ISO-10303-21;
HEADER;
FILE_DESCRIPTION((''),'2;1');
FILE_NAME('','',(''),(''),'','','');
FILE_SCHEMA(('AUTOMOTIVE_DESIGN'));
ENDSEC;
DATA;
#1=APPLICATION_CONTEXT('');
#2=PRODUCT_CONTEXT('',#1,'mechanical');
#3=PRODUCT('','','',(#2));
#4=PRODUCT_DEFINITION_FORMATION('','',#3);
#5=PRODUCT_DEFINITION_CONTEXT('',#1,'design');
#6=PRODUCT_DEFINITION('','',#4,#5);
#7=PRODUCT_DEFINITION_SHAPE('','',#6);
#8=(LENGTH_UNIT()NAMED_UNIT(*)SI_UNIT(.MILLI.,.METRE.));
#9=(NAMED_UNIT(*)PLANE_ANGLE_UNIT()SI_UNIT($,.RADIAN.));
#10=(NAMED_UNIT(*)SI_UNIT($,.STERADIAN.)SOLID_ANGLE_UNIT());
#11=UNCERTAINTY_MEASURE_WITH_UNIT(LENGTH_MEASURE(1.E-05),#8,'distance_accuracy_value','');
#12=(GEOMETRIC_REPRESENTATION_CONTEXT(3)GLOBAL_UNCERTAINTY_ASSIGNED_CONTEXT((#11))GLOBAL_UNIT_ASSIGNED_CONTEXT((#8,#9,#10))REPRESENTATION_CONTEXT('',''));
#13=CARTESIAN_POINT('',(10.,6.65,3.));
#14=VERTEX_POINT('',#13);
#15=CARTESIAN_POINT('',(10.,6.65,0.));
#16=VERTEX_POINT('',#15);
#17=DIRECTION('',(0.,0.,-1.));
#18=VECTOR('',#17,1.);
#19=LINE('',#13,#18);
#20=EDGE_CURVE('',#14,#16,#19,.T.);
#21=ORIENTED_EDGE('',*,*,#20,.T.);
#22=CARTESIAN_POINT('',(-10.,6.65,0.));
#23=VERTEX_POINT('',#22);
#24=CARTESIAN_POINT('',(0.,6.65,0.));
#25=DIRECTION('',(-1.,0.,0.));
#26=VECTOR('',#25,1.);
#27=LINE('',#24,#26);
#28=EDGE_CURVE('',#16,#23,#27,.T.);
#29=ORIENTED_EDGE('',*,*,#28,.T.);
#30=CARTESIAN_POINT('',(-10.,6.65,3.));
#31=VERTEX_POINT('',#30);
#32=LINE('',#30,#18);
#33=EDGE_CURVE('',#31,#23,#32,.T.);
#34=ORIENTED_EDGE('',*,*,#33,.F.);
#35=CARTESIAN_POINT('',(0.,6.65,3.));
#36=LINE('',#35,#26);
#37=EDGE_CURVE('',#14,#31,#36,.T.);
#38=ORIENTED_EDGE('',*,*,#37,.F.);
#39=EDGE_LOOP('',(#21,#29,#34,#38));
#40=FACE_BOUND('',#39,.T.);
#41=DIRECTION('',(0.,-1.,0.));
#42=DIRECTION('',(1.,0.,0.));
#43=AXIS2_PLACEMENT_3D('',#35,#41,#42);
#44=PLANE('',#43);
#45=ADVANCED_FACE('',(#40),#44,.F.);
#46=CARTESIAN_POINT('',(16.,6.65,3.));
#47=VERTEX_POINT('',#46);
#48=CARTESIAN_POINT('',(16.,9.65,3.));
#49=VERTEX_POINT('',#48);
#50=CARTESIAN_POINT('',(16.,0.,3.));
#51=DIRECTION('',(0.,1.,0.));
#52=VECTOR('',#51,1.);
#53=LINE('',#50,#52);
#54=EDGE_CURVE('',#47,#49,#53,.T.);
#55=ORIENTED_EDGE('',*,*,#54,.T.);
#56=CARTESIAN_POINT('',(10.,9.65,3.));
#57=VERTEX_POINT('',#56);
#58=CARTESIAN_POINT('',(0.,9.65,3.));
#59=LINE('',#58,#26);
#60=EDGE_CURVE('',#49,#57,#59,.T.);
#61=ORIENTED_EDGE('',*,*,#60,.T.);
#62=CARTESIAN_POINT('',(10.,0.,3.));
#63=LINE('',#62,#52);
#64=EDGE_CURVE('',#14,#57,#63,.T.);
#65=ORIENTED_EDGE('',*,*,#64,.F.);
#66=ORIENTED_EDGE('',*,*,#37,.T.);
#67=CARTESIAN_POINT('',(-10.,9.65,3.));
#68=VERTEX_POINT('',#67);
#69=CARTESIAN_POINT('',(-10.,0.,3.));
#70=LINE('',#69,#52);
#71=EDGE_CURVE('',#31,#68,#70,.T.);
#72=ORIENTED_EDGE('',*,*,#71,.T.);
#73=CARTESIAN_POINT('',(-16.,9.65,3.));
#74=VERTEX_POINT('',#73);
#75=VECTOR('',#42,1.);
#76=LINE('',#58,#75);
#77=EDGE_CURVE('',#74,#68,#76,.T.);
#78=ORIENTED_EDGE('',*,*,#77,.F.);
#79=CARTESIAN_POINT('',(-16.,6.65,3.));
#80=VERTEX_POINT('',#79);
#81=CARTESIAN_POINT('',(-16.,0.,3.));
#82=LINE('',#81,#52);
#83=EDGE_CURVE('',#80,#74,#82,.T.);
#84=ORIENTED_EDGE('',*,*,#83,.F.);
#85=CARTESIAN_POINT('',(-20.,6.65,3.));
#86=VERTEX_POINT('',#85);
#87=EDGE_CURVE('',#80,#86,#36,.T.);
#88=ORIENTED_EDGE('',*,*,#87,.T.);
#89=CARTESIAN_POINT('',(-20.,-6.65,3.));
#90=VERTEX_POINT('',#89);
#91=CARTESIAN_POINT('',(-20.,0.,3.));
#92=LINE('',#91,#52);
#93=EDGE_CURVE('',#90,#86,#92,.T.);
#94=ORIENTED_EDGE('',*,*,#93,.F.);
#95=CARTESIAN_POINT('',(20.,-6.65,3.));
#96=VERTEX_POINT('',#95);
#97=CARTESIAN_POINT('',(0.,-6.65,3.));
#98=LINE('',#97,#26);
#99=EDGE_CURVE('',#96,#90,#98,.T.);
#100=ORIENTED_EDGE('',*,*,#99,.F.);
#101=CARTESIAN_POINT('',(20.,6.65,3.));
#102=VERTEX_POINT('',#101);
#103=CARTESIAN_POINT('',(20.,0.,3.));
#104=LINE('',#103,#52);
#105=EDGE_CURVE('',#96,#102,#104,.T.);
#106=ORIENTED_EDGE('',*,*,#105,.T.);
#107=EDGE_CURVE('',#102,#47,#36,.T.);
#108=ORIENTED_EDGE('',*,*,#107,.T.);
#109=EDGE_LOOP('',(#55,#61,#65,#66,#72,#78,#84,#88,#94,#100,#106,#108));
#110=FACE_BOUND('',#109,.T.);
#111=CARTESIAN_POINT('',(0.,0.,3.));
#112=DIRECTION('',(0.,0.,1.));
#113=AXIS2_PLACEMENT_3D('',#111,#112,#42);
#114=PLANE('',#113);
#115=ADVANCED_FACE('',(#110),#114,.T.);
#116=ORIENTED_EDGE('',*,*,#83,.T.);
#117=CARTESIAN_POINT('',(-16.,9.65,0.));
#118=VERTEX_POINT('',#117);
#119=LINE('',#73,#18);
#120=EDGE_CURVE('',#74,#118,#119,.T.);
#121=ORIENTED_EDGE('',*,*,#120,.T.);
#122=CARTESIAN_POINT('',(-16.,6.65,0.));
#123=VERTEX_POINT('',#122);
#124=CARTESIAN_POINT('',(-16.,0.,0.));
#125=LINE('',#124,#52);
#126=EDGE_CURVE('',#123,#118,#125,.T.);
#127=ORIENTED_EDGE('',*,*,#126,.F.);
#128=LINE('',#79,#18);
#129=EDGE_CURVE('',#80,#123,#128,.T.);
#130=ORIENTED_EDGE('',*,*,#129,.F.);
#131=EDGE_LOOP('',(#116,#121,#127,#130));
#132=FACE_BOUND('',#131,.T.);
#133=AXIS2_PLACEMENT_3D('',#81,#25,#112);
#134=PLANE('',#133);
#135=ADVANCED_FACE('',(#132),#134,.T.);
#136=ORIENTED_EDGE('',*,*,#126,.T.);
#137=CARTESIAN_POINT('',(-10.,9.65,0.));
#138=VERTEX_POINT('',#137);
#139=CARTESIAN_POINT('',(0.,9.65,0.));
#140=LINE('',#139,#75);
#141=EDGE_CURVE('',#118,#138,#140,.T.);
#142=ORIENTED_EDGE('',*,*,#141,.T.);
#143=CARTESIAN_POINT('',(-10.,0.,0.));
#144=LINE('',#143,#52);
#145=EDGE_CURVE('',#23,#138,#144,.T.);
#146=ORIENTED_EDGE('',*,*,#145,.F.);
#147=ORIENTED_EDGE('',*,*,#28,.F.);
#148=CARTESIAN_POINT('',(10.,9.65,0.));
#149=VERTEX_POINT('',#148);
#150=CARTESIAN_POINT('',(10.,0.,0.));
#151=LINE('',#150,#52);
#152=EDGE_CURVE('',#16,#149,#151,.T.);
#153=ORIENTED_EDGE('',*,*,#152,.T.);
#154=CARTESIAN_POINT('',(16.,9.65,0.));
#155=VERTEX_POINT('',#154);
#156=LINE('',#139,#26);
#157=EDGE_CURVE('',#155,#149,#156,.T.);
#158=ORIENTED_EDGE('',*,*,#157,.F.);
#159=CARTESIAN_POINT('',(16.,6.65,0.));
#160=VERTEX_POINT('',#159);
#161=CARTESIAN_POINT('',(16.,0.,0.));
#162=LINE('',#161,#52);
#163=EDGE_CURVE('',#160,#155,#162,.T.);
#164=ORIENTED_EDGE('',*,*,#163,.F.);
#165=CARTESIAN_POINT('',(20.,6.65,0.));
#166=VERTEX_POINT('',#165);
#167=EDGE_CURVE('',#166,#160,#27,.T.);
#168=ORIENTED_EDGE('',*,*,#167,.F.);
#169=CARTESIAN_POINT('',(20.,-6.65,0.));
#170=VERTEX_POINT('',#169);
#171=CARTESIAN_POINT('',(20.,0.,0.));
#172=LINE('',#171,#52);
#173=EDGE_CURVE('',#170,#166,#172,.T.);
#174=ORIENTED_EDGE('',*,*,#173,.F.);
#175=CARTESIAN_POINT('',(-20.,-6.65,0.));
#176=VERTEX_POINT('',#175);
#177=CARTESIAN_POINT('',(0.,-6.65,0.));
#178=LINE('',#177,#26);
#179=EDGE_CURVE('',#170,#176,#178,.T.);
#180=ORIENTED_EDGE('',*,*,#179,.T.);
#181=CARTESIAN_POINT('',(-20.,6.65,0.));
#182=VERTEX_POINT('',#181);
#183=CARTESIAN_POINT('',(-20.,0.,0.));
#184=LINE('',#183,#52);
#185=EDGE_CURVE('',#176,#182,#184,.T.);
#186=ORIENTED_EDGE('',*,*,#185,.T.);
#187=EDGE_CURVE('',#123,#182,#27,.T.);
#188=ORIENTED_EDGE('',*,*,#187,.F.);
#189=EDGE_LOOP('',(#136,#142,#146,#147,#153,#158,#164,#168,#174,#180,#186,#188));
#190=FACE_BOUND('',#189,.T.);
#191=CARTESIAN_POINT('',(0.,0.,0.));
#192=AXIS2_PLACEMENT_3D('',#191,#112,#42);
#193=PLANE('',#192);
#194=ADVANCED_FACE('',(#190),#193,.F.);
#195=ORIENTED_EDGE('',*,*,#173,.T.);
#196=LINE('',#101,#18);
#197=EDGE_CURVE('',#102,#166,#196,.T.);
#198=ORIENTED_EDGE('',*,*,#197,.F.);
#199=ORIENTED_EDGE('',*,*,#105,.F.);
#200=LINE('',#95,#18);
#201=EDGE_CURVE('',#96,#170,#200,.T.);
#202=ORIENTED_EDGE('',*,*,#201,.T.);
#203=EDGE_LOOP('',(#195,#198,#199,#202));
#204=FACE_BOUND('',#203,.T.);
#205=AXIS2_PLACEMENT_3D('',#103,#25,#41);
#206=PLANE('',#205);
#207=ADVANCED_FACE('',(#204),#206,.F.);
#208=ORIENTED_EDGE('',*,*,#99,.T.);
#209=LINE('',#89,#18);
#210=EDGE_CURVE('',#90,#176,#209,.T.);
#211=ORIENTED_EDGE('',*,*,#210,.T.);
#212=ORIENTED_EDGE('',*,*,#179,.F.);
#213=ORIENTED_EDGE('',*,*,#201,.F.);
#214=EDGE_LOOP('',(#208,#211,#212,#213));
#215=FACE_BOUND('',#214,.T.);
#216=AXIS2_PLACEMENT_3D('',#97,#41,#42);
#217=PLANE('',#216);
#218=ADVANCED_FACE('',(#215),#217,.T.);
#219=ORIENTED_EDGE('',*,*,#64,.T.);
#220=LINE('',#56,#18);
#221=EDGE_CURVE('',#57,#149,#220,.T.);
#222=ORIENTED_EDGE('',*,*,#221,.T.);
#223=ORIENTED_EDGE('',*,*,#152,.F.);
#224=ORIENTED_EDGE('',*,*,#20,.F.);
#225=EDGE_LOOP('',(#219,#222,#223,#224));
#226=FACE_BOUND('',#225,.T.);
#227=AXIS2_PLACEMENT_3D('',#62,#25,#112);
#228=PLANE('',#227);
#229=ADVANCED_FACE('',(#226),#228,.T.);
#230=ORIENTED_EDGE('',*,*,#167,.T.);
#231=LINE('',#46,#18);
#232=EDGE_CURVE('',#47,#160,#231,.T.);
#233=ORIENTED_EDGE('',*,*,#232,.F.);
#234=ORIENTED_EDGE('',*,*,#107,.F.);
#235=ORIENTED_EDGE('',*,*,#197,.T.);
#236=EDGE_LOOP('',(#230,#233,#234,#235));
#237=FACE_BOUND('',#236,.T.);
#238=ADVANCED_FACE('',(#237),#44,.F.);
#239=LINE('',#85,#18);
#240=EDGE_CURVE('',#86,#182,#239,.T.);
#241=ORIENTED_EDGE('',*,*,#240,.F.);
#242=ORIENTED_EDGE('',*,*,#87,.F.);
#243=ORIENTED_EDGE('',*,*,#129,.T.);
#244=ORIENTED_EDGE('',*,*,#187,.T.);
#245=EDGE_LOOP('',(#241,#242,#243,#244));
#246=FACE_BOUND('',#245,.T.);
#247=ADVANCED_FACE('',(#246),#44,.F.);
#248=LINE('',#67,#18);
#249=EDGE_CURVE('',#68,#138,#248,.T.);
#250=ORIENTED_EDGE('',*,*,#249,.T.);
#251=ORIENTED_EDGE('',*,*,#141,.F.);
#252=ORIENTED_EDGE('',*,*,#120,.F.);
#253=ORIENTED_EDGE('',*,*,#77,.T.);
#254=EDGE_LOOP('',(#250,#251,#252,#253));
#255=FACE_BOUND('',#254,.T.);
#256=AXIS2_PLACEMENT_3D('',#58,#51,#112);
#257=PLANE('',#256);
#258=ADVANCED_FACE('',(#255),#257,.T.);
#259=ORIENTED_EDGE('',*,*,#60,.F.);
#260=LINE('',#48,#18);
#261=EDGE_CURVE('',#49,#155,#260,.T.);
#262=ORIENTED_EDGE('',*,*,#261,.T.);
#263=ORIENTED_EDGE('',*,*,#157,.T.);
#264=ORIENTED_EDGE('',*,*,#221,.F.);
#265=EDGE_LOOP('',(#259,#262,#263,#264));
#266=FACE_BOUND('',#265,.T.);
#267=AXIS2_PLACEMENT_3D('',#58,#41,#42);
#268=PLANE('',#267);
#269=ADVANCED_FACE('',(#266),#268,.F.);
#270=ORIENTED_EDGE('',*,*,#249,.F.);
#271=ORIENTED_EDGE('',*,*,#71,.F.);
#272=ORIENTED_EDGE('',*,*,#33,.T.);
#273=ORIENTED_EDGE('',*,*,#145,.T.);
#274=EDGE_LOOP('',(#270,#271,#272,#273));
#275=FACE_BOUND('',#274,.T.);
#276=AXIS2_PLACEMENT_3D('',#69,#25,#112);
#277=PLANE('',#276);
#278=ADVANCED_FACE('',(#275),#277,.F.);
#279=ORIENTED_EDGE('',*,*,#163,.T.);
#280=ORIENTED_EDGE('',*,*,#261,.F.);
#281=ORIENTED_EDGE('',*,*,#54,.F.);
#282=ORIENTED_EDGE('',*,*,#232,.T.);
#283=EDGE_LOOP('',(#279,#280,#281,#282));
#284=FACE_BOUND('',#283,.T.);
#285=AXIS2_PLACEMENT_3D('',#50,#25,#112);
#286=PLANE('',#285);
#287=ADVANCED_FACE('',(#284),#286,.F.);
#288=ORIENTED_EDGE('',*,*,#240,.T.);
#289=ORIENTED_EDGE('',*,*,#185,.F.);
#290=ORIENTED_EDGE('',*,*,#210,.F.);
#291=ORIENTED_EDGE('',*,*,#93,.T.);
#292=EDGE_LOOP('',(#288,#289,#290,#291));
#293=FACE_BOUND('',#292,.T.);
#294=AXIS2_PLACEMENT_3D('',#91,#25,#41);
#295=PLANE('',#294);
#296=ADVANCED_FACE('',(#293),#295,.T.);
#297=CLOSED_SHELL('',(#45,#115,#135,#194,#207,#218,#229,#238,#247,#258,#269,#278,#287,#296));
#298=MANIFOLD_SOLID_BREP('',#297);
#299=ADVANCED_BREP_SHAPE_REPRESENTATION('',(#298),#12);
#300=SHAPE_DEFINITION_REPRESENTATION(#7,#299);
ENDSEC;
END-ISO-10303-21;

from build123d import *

# Parameters (mm, degrees)
SKETCH1_W           = 6
SKETCH1_H           = 3
BOSS_EXTRUDE1_DEPTH = 3


with BuildPart() as part:
    # Sketch1 → Boss-Extrude1 (new body)
    with BuildSketch(Plane.XY):
        Polygon((0, -6.65), (0, 6.65), (-10, 6.65), (-16, 6.65), (-20, 6.65), (-20, -6.65), align=None)
        Polygon((10, 6.65), (0, 6.65), (0, -6.65), (20, -6.65), (20, 6.65), (16, 6.65), align=None)
        with Locations((13, 8.15)):
            Rectangle(SKETCH1_W, SKETCH1_H)
        with Locations((-13, 8.15)):
            Rectangle(SKETCH1_W, SKETCH1_H)
    extrude(amount=BOSS_EXTRUDE1_DEPTH)


solid = part.part
